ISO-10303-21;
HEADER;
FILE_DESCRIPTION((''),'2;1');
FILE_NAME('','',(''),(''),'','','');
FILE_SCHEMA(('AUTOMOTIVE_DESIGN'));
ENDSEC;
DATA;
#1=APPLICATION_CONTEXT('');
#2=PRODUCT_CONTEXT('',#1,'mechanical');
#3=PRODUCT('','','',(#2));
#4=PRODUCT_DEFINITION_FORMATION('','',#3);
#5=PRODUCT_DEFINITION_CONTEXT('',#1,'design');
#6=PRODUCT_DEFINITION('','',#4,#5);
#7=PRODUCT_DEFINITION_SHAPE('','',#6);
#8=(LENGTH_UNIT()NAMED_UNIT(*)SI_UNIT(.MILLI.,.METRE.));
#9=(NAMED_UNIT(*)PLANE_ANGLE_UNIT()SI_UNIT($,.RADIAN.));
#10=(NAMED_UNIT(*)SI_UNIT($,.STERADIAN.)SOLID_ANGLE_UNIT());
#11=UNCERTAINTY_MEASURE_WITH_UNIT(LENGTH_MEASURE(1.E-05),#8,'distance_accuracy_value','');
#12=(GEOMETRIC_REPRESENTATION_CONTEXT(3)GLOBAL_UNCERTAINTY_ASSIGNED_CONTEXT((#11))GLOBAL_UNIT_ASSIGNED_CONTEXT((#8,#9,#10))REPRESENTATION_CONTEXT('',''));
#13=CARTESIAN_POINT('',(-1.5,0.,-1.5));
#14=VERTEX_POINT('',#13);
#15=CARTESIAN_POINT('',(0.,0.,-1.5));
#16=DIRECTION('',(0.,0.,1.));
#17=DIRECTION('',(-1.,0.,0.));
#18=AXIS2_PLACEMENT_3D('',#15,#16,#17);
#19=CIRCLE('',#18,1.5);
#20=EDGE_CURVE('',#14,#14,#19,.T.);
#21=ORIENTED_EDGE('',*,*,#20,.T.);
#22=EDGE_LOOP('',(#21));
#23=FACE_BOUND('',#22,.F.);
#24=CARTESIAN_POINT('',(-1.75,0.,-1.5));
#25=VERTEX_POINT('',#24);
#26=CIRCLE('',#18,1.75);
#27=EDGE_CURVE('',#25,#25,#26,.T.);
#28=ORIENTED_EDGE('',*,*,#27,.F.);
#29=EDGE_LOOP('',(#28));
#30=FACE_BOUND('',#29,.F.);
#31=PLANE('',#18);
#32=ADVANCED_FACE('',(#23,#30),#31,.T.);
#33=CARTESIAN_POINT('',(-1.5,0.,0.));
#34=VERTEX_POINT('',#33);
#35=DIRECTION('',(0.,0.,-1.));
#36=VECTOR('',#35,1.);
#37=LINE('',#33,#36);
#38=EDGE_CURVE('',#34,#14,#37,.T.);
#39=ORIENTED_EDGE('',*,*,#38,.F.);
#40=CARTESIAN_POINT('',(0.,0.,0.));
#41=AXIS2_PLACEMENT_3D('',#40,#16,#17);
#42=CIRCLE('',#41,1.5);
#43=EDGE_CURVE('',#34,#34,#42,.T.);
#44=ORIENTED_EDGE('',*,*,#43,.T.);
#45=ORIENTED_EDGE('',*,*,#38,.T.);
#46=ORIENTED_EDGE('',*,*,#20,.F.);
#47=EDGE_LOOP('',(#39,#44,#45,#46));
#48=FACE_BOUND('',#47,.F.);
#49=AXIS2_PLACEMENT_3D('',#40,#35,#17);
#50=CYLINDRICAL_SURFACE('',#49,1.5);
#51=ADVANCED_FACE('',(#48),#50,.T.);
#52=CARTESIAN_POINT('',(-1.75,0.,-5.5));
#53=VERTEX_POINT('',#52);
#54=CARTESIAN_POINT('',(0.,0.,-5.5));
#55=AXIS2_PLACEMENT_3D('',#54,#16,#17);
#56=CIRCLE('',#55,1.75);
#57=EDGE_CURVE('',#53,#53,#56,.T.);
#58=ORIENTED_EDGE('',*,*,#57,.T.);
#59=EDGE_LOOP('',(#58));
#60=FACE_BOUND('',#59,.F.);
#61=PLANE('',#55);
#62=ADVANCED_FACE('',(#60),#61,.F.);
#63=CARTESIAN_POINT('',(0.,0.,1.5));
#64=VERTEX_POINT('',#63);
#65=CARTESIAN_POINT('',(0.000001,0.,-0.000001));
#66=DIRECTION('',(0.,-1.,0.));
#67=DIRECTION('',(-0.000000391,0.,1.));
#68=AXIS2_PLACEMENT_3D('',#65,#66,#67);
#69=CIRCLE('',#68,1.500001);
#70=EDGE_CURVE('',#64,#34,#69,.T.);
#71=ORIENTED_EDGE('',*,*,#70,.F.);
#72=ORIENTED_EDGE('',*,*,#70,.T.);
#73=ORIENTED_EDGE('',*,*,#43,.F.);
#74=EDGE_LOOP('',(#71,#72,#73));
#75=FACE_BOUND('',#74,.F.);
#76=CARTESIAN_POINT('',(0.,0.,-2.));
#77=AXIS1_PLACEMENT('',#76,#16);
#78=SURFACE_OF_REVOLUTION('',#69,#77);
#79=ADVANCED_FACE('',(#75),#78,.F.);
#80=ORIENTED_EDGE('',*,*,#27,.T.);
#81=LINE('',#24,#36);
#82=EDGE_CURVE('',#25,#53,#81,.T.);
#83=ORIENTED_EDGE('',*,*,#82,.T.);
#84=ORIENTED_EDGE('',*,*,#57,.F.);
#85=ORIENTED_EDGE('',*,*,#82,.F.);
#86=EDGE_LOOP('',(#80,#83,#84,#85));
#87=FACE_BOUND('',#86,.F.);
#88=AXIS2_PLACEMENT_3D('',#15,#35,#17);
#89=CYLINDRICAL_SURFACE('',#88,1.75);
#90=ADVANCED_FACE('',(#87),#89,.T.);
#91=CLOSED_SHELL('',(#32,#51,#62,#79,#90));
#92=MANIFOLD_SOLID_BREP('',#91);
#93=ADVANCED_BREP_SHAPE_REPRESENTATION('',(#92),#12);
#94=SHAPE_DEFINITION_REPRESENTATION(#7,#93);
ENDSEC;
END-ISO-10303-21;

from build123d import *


with BuildPart() as f1:
    # F0 (on Front) → F1 (revolve)
    with BuildSketch(Plane.XZ):
        with BuildLine():
            Line((0, -5.5), (0, 1.5))
            ThreePointArc((0, 1.5), (-1.06066, 1.06066), (-1.5, 0))
            Line((-1.5, 0), (-1.5, -1.5))
            Line((-1.5, -1.5), (-1.75, -1.5))
            Line((-1.75, -1.5), (-1.75, -5.5))
            Line((-1.75, -5.5), (0, -5.5))
        make_face()
    revolve(axis=Axis((0, 0, -2), (0, 0, 1)))


solid = f1.part
